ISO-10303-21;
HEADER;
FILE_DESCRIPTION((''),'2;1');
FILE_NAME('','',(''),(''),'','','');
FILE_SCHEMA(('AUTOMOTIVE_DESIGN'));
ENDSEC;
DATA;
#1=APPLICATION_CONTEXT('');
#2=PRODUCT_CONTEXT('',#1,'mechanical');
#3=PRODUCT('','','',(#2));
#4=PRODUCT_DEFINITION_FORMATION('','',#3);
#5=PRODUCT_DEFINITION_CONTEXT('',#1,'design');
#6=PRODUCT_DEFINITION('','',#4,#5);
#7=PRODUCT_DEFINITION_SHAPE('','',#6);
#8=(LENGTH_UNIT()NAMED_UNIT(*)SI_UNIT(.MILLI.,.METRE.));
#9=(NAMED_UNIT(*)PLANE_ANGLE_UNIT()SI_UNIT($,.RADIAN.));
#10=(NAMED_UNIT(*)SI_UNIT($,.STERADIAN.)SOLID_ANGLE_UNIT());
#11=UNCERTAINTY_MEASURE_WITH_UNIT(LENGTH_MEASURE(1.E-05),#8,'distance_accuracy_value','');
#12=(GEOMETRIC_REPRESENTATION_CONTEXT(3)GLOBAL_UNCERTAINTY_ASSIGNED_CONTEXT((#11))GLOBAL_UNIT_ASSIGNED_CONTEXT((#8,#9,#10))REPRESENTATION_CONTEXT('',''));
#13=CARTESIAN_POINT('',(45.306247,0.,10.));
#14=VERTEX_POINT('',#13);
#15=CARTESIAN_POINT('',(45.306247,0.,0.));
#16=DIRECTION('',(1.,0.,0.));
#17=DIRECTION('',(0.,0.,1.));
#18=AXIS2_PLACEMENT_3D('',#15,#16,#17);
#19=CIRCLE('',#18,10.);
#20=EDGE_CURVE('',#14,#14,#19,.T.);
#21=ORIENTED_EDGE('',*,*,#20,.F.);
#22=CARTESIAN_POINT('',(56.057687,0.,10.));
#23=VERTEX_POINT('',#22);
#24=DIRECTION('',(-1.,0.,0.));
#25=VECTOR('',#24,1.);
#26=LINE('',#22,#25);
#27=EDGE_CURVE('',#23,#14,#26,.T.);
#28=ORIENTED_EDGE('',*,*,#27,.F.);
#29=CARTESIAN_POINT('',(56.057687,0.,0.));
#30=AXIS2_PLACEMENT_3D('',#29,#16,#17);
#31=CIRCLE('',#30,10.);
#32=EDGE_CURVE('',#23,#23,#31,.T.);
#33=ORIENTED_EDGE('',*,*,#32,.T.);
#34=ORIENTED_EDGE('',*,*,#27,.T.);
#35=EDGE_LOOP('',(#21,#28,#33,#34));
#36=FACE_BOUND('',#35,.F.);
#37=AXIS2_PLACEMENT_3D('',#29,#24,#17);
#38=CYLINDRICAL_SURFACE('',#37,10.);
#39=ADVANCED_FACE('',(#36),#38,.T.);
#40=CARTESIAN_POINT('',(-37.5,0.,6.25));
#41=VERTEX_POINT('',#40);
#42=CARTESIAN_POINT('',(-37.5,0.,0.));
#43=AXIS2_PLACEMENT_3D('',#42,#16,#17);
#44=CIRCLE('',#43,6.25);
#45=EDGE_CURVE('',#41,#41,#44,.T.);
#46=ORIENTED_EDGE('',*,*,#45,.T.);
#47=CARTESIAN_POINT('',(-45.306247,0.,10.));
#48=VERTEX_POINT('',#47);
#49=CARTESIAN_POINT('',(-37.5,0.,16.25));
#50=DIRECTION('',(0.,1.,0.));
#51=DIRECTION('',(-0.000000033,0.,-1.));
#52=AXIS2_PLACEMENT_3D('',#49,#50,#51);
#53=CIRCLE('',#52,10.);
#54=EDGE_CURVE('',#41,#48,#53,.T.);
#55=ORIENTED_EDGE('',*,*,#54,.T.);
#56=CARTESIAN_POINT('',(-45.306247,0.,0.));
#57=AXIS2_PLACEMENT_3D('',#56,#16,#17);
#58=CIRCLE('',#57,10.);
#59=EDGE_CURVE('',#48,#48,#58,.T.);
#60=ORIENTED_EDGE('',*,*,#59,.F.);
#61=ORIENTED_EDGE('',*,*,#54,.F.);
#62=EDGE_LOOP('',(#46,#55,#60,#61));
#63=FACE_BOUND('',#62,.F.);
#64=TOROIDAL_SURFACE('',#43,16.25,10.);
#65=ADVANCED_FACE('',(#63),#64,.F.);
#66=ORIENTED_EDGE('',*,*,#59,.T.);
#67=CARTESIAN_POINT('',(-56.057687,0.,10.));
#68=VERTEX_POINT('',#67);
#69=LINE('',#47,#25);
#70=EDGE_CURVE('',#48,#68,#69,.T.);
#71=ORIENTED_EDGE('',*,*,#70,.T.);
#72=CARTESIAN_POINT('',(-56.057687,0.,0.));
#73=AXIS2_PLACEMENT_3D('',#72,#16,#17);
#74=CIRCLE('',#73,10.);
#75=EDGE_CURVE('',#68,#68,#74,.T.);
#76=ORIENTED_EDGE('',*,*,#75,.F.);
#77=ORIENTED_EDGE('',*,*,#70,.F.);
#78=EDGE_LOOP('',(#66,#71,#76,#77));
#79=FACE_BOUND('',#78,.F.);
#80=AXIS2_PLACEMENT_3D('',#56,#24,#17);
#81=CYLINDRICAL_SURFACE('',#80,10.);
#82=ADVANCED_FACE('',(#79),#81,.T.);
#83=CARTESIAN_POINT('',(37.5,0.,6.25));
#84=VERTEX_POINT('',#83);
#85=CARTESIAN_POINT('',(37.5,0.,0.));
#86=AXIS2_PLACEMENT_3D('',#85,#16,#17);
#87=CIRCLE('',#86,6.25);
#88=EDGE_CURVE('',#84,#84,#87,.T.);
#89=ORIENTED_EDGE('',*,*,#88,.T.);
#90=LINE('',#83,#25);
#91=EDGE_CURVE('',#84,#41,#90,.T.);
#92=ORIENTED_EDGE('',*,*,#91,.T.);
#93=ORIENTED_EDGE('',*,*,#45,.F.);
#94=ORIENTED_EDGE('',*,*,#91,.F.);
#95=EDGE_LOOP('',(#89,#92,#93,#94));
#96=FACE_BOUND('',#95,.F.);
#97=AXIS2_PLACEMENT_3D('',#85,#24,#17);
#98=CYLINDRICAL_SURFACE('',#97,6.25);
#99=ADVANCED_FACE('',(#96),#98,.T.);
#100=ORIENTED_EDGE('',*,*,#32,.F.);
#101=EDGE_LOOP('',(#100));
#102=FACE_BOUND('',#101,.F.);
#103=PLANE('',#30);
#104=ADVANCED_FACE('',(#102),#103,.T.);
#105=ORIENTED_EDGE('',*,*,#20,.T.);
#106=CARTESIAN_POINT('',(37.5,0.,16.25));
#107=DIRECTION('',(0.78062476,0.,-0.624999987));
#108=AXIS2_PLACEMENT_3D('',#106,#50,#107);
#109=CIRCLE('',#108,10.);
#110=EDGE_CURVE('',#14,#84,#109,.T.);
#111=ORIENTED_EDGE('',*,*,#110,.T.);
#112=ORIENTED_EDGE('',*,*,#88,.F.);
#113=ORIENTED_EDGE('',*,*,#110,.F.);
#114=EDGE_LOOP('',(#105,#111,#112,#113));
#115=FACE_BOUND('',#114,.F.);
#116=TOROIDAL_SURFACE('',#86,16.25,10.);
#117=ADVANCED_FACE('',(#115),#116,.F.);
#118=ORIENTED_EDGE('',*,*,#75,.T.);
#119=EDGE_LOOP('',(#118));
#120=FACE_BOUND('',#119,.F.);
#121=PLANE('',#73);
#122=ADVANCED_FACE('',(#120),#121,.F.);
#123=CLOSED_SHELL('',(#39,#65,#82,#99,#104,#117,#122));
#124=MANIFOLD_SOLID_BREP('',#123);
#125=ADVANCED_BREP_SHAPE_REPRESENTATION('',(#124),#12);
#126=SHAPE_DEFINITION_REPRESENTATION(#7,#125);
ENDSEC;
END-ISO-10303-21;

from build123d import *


with BuildPart() as f1:
    # F0 (on Front) → F1 (revolve)
    with BuildSketch(Plane.XZ):
        with BuildLine():
            Line((37.5, 6.25), (0, 6.25))
            Line((0, 6.25), (-37.5, 6.25))
            ThreePointArc((-37.5, 6.25), (-41.830127, 7.236122), (-45.306247, 10))
            Line((-45.306247, 10), (-56.057687, 10))
            Line((-56.057687, 10), (-56.057687, 0))
            Line((-56.057687, 0), (0, 0))
            Line((0, 0), (56.057687, 0))
            Line((56.057687, 0), (56.057687, 10))
            Line((56.057687, 10), (45.306247, 10))
            ThreePointArc((45.306247, 10), (41.830127, 7.236122), (37.5, 6.25))
        make_face()
    revolve(axis=Axis((-28.028843, 0, 0), (1, 0, 0)))


solid = f1.part
